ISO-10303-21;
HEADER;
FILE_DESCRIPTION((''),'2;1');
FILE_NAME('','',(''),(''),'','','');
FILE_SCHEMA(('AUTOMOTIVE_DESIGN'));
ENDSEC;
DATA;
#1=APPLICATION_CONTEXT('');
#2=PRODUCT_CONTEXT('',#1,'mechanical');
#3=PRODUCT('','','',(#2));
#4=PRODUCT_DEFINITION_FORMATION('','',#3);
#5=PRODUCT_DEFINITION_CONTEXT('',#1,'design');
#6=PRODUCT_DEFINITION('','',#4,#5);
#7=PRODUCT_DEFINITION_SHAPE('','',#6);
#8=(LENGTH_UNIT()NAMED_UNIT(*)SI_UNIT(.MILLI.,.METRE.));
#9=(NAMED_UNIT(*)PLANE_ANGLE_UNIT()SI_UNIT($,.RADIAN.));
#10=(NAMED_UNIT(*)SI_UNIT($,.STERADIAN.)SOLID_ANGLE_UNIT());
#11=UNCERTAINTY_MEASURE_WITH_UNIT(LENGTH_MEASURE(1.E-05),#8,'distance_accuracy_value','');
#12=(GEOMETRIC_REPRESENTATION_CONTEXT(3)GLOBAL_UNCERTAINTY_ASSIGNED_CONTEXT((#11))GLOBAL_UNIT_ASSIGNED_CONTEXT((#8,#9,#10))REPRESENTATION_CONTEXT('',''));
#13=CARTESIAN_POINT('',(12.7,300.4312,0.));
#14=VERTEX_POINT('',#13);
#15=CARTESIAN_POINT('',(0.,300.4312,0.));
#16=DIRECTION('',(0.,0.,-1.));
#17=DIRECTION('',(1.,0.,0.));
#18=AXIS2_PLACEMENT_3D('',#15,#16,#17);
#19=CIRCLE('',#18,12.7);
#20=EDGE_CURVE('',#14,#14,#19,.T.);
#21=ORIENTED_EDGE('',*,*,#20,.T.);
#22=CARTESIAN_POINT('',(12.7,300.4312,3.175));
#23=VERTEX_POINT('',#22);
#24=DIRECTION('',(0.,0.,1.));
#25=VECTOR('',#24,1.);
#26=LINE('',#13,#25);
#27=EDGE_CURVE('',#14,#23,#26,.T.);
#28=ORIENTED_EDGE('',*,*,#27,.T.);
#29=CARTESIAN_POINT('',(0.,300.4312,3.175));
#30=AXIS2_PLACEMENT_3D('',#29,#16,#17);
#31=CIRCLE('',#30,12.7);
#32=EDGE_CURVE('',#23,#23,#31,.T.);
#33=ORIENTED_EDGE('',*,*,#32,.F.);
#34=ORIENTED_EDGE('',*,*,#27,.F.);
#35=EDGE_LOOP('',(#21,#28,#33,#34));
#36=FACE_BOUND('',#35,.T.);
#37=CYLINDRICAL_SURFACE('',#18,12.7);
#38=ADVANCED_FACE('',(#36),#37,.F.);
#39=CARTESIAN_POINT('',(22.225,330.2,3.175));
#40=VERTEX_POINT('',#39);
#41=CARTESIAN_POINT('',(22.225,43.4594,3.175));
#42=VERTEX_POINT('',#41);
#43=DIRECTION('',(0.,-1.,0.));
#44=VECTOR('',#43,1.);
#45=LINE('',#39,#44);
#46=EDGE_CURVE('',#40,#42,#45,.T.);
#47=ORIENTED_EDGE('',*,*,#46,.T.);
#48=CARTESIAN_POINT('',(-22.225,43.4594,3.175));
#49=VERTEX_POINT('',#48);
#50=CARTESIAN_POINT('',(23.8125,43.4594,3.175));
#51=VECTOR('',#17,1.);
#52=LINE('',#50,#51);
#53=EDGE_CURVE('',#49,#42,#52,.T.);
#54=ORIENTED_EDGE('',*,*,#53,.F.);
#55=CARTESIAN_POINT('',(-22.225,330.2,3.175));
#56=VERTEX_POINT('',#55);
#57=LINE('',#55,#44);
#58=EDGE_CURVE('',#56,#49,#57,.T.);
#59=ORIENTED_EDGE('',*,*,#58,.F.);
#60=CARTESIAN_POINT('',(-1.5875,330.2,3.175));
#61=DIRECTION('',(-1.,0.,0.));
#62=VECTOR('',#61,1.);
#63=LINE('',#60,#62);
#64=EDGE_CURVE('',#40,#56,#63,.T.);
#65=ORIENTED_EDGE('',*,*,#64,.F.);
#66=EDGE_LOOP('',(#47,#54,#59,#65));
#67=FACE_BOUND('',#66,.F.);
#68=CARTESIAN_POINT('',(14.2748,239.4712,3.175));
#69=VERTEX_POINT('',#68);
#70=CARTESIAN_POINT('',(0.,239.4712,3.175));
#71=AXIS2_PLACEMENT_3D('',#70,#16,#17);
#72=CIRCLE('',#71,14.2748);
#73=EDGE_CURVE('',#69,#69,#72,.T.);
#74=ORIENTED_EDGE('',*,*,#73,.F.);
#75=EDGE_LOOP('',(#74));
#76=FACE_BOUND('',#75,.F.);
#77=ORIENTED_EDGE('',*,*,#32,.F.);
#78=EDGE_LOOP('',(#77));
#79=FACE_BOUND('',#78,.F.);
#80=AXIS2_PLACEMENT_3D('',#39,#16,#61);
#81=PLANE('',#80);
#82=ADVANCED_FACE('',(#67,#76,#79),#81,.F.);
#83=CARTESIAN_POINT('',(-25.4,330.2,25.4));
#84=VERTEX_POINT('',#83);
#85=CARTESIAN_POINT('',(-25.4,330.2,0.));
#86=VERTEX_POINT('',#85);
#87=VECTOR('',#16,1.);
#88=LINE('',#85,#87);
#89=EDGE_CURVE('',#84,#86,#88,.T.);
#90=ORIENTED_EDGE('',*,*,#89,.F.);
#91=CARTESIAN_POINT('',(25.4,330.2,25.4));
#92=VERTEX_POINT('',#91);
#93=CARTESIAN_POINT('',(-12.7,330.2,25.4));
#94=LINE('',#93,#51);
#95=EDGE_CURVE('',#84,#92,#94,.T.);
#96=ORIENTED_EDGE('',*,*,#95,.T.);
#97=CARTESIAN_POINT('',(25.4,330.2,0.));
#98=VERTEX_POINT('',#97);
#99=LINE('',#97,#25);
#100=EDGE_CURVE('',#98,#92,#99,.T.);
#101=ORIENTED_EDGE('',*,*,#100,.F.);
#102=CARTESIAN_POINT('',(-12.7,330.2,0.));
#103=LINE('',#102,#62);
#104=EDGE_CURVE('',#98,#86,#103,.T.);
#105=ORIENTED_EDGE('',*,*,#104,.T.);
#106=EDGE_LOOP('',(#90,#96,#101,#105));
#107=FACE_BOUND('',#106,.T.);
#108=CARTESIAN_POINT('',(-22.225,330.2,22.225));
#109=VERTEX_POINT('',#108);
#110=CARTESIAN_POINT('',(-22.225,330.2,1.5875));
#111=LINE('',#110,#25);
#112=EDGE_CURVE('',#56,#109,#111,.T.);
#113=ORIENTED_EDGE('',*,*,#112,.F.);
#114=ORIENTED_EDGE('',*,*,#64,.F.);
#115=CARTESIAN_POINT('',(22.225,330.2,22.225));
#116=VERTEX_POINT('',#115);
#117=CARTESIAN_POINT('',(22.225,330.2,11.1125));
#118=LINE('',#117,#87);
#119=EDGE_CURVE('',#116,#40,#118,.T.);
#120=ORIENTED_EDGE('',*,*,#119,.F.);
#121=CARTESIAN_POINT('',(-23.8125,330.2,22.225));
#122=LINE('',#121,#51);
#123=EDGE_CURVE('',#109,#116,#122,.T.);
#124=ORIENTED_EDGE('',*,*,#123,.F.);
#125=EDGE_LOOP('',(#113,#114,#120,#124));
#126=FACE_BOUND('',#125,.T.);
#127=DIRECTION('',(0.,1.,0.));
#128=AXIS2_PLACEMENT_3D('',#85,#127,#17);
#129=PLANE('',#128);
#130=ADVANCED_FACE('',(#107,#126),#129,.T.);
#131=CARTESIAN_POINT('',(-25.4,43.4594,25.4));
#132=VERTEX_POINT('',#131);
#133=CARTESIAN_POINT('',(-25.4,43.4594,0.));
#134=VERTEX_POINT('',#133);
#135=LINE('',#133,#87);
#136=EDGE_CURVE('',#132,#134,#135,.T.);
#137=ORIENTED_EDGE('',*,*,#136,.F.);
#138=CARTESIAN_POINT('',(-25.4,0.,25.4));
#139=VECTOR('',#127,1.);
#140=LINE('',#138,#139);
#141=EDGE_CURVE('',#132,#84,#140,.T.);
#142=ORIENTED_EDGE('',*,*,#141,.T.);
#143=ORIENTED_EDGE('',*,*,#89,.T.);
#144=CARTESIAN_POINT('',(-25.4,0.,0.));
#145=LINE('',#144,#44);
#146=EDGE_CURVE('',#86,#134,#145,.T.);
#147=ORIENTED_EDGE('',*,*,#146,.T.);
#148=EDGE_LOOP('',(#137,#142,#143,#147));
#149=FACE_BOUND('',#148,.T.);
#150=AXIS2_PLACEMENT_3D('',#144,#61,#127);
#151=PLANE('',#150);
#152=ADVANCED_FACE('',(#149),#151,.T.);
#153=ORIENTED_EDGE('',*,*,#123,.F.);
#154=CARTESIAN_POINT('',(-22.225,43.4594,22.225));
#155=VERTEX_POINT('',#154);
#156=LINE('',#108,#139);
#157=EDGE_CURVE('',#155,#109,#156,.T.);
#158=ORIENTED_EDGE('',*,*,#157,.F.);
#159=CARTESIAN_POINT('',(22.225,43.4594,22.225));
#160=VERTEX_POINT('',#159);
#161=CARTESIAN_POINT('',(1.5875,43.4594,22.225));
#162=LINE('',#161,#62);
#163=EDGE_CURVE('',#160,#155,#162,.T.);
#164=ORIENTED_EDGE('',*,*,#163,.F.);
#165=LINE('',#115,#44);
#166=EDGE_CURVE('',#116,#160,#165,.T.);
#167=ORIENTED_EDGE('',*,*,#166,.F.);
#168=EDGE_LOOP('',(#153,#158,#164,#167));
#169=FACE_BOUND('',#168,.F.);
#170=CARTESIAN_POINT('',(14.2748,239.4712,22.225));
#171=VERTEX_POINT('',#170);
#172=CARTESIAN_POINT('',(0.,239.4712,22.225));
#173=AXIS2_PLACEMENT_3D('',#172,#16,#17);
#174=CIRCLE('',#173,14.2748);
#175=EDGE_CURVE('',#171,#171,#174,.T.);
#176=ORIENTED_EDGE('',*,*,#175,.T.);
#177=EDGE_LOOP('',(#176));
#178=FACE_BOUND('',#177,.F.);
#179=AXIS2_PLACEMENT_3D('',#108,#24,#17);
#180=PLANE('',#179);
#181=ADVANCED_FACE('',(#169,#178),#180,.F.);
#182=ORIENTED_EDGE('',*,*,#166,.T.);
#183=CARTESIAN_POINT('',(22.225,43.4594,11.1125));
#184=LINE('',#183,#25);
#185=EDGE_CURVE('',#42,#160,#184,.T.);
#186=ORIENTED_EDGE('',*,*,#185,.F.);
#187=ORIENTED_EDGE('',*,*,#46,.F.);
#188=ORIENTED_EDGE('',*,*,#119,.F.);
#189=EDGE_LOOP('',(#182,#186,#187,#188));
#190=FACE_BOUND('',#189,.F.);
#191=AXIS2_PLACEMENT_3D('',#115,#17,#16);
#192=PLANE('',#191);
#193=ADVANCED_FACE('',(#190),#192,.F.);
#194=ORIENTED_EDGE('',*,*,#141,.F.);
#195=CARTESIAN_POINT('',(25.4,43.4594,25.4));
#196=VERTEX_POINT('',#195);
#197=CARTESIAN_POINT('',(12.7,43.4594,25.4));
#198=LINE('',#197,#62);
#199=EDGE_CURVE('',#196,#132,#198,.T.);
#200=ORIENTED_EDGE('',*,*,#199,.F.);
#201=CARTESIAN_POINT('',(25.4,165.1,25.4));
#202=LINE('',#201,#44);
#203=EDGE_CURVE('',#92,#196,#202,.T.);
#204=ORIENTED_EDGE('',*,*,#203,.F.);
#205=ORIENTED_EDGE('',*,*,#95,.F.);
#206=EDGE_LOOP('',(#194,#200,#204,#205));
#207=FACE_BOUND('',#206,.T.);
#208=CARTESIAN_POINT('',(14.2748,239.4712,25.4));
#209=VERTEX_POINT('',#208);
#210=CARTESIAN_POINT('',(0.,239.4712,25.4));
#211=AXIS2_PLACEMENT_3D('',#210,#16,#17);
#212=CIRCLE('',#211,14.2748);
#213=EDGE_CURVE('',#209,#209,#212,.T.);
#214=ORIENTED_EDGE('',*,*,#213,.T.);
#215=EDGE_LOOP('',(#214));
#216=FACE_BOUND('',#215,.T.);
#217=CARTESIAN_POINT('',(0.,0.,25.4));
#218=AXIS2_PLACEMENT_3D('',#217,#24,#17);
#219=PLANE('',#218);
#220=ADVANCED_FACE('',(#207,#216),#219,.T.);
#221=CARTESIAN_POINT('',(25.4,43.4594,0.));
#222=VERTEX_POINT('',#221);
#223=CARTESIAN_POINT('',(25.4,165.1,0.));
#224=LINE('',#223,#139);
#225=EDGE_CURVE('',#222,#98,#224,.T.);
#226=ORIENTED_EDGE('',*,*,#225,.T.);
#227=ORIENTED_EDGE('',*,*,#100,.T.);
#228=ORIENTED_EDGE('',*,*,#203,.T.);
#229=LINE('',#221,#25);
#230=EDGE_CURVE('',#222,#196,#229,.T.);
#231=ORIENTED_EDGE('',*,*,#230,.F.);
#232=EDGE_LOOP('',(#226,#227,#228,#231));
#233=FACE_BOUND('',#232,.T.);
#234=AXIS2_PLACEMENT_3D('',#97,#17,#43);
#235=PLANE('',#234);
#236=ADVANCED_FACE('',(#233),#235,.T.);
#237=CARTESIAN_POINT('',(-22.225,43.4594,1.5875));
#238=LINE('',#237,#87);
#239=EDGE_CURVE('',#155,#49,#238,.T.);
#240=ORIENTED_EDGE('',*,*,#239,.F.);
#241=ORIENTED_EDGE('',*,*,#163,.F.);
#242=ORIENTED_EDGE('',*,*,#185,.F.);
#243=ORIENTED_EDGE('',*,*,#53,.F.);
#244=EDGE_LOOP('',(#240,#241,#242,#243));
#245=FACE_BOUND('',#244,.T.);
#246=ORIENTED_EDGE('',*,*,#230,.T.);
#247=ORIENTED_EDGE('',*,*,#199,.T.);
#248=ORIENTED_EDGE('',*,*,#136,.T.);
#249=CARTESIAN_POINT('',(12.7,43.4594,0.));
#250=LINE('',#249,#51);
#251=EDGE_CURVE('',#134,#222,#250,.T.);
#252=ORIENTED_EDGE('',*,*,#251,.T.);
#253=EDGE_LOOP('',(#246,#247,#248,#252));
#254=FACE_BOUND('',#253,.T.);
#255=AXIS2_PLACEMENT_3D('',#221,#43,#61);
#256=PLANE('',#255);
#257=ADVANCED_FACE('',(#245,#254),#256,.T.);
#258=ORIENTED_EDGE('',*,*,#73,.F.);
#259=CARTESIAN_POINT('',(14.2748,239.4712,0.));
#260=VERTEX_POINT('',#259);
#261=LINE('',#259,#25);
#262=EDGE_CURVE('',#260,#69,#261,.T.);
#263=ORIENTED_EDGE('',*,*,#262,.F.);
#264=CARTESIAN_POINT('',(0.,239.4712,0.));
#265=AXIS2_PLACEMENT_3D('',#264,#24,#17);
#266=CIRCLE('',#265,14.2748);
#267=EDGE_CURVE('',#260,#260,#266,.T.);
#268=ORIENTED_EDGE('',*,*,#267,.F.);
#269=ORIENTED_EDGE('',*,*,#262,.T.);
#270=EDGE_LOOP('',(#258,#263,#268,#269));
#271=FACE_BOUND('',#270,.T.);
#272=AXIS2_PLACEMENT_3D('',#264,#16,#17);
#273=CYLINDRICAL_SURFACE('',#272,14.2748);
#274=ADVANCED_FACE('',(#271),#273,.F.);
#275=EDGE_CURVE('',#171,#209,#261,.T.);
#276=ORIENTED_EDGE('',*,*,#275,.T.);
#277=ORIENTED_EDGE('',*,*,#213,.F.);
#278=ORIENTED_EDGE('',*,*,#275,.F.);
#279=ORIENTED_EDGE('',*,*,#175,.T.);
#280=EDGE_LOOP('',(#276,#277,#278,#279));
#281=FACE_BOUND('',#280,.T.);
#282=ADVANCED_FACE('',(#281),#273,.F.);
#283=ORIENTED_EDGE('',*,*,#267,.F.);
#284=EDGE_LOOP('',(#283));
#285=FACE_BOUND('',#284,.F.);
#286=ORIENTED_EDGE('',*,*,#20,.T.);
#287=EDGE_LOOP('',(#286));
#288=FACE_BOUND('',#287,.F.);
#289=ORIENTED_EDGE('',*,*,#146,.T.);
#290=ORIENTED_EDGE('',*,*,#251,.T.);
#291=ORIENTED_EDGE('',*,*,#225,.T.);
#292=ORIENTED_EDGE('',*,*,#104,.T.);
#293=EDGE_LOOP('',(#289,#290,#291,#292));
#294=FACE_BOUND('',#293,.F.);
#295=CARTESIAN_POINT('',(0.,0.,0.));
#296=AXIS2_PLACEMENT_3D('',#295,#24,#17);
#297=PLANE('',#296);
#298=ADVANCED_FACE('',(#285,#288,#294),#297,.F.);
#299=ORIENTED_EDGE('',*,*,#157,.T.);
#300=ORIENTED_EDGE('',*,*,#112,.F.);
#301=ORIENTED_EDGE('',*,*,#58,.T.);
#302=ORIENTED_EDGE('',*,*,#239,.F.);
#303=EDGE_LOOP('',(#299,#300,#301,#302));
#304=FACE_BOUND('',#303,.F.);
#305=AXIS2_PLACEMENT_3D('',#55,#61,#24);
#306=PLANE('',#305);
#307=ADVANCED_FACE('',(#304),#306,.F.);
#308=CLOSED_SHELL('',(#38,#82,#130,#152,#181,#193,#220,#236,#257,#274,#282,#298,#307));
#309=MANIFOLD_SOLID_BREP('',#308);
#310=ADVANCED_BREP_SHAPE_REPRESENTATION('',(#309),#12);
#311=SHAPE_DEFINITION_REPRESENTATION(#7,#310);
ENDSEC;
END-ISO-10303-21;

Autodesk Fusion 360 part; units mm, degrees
sketch "Sketch1" plane through (0, 0, 0) normal (0, 0, 1) x (1, 0, 0)
  line L0 (0, 0) -> (0, 300.4312) construction
  circle A0 centre (0, 300.4312) radius 12.7
  line L1 (25.4, 0) -> (-25.4, 0)
  line L2 (-25.4, 0) -> (-25.4, 330.2)
  line L3 (-25.4, 330.2) -> (25.4, 330.2)
  line L4 (25.4, 330.2) -> (25.4, 0)
  dimension "d1" = 300.4312
  dimension "d2" = 25.4
  dimension "d3" = 50.8
  dimension "d4" = 330.2
extrude "Extrude1" add sketch "Sketch1" along normal blind 25.4 contours A0 | L1 L2 L3 L4
sketch "Sketch2" plane through (0, 330.2, 0) normal (0, 1, 0) x (-1, 0, 0)
  line L0 (-25.4, 0) -> (25.4, 0)
  line L1 (25.4, 0) -> (25.4, 25.4)
  line L2 (25.4, 25.4) -> (-25.4, 25.4)
  line L3 (-25.4, 25.4) -> (-25.4, 0)
  line L4 (-22.225, 22.225) -> (-22.225, 3.175)
  line L5 (-22.225, 3.175) -> (22.225, 3.175)
  line L6 (22.225, 3.175) -> (22.225, 22.225)
  line L7 (22.225, 22.225) -> (-22.225, 22.225)
  dimension "d7" = -3.175
extrude "Extrude2" cut sketch "Sketch2" against normal up to surface (330.2 mm away) contours L4 L5 L6 L7
extrude "Extrude3" cut sketch "Sketch1" along normal blind 3.175 contours A0
move_face "OffsetFaces1" offset -43.4594 1 faces at (7.4083, 0, 1.0583)
sketch "Sketch3" plane through (0, 0, 0) normal (0, 0, 1) x (1, 0, 0)
  line L0 (-12.7, 300.4312) -> (-6.35, 289.4327) construction
  line L1 (-6.35, 289.4327) -> (6.35, 289.4327) construction
  line L2 (6.35, 289.4327) -> (12.7, 300.4312) construction
  line L3 (12.7, 300.4312) -> (6.35, 311.4297) construction
  line L4 (6.35, 311.4297) -> (-6.35, 311.4297) construction
  line L5 (-6.35, 311.4297) -> (-12.7, 300.4312) construction
  circle A0 centre (0, 300.4312) radius 30.48 construction
  circle A1 centre (0, 239.4712) radius 30.48 construction
  circle A2 centre (0, 239.4712) radius 14.2748
  point P0 (0, 300.4312)
  dimension "d19" = 12.7
  dimension "d20" = 60.96
  dimension "d21" = 60.96
  dimension "d22" = 28.5496
extrude "Extrude5" cut sketch "Sketch3" along normal blind 50.8
component "Intake Support" placed x (1, 0, 0) y (0, 1, 0) z (0, 0, 1) at (0, 0, 0)
equation "d12 = -3 in + 1.289 in"
